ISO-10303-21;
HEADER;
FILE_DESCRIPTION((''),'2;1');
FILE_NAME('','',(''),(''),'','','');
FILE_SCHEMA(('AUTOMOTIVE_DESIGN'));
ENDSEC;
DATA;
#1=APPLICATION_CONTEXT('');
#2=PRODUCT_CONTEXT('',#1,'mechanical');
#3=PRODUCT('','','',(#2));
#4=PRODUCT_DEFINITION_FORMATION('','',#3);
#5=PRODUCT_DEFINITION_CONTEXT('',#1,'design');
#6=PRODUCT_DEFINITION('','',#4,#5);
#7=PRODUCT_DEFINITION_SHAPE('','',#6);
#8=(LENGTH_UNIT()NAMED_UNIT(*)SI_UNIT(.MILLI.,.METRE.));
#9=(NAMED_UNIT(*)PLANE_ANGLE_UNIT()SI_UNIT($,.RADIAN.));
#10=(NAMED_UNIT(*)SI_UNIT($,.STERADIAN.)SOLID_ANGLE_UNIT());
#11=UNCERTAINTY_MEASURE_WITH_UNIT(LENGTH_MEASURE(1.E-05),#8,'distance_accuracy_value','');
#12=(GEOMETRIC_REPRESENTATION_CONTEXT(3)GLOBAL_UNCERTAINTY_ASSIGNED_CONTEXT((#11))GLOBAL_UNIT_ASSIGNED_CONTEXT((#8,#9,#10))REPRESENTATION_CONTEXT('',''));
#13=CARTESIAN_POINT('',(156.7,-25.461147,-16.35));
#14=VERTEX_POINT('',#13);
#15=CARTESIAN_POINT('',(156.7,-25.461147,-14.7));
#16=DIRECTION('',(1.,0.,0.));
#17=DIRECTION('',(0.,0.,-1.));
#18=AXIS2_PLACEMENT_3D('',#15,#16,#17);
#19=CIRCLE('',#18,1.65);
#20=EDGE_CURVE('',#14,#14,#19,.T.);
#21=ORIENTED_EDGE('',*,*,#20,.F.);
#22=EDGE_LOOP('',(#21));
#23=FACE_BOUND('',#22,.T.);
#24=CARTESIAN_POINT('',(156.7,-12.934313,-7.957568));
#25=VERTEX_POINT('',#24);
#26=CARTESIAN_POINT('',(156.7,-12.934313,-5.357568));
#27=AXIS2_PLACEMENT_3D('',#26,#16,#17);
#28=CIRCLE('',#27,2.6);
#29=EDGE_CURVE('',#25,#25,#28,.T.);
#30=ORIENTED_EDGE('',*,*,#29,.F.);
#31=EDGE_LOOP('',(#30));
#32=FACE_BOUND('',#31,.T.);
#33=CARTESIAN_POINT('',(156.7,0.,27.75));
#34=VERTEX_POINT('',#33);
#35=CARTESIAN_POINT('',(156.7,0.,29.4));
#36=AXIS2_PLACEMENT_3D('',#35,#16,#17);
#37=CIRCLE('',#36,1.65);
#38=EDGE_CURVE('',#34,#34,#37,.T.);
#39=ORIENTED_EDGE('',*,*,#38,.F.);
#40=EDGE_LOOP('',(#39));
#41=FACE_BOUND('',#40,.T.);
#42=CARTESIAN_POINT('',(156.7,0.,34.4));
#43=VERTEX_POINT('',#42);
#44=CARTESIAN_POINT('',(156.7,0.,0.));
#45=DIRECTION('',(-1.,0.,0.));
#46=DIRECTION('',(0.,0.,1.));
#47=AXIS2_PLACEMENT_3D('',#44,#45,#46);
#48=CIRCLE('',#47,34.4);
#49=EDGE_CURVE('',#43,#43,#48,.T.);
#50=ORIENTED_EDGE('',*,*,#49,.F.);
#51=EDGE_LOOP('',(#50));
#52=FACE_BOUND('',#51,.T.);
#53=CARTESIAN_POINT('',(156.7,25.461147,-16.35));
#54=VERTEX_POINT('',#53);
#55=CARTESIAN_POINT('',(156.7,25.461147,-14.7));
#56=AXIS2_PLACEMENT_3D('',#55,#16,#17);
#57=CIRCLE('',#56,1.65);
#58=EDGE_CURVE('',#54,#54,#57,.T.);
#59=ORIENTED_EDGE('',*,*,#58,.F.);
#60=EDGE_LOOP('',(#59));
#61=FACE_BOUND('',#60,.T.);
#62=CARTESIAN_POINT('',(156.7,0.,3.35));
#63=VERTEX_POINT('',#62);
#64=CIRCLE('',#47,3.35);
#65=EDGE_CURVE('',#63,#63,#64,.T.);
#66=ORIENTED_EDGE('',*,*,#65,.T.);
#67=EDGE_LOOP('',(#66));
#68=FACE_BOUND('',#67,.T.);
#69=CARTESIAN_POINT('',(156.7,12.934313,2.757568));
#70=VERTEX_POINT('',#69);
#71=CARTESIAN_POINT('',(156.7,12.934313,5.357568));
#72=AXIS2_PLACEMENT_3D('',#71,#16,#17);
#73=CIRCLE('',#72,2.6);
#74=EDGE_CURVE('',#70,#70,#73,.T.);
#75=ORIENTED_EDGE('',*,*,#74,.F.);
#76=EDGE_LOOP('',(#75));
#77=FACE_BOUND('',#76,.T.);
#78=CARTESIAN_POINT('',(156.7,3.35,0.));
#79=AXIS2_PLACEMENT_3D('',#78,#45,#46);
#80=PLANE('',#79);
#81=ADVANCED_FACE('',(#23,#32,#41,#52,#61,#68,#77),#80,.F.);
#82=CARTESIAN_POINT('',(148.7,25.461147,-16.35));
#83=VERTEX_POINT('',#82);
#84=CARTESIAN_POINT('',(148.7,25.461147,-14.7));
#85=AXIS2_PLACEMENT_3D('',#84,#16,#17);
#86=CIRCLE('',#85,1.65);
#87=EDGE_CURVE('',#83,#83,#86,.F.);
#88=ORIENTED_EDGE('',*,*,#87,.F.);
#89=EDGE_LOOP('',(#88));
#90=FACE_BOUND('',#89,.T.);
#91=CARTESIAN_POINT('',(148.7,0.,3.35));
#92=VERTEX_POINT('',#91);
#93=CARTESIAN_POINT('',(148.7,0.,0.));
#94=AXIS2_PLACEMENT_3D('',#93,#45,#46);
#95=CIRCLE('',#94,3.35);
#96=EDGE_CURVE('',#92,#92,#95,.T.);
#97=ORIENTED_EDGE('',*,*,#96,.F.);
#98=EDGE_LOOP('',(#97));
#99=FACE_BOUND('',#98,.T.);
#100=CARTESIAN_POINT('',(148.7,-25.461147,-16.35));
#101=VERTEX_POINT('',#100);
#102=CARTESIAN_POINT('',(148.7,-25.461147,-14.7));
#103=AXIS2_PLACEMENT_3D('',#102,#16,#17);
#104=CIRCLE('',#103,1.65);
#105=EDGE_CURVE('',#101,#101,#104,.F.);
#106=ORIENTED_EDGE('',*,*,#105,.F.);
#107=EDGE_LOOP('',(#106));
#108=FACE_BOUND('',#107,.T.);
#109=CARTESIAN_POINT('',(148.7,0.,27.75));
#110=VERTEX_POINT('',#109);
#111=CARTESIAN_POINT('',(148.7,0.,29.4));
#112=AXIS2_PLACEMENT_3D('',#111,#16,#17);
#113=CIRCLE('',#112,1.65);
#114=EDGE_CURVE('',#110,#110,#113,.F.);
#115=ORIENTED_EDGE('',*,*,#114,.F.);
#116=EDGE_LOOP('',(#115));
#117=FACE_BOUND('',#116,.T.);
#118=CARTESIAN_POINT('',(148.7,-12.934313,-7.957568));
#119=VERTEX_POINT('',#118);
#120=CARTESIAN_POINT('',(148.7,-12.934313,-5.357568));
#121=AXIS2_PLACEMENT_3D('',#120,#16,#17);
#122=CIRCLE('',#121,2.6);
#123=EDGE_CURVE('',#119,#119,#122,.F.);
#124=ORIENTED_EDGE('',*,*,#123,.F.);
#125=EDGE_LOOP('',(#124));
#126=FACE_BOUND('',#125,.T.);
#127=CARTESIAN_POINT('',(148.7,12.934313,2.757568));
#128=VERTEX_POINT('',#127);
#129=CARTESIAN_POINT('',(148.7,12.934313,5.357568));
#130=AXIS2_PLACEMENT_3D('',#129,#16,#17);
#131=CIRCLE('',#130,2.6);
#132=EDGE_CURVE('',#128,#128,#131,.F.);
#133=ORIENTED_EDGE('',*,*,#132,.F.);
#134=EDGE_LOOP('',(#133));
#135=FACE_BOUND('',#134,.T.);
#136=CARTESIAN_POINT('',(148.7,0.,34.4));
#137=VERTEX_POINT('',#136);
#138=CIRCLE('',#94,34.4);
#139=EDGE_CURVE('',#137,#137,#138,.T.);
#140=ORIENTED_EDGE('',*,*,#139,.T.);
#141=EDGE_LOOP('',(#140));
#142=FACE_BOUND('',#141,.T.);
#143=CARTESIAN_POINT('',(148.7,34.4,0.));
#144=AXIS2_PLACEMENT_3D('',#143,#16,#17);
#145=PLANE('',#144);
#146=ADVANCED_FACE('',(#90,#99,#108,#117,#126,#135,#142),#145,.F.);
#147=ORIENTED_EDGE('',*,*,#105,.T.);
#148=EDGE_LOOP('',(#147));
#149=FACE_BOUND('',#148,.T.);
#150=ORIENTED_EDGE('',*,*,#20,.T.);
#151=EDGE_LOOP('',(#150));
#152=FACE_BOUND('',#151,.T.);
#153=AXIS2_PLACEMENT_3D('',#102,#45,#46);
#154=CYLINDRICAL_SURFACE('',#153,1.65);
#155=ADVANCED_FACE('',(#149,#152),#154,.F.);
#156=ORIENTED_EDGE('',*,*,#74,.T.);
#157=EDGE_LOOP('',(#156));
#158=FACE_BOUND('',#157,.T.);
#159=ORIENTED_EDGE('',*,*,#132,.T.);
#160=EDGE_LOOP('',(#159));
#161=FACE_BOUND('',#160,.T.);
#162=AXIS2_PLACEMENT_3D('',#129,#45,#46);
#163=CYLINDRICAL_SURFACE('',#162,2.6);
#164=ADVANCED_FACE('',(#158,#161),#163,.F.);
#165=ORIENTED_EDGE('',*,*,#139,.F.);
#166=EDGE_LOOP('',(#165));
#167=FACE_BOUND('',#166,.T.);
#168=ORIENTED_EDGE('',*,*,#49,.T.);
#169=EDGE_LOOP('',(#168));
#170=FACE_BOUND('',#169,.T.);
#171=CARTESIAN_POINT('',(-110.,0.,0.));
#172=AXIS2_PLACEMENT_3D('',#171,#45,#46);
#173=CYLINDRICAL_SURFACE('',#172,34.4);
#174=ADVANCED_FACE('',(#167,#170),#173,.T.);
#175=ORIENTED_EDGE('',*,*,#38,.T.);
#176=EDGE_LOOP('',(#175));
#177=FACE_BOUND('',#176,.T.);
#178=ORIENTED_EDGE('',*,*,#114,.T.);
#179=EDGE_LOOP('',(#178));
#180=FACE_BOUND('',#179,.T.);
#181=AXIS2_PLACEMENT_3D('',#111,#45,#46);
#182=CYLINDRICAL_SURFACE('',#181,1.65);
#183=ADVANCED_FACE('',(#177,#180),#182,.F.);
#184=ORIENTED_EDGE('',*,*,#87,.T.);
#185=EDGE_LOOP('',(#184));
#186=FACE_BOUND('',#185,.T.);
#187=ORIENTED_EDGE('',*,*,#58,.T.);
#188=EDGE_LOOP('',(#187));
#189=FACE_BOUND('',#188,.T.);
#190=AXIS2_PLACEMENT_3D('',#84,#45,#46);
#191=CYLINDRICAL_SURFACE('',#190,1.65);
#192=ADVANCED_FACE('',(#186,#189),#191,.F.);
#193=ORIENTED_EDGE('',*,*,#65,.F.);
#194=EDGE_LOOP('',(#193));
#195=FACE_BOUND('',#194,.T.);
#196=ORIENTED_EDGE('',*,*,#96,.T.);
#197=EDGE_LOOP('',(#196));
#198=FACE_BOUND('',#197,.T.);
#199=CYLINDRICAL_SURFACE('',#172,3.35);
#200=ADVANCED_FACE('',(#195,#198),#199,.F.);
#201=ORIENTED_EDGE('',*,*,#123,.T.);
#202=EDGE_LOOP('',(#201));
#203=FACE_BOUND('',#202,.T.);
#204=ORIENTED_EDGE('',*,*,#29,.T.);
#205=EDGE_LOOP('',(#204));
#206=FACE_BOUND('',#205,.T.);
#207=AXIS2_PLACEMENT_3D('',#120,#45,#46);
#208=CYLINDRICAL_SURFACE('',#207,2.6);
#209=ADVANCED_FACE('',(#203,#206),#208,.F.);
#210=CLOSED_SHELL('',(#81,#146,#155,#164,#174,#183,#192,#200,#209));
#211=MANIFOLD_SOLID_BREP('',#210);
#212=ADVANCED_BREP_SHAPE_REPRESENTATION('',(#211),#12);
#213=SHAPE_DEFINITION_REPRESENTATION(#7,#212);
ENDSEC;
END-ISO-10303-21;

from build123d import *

# Parameters (mm, degrees)
AXIAL_PROFILE_MM_W     = 8
AXIAL_PROFILE_MM_H     = 31.05
AXIAL_HOLES_DEPTH      = 165.078060691
AXIAL_HOLES_DEPTH_BACK = 165.078060691
SKETCH2_R              = 2.6
SKETCH2_R_2            = 1.65


with BuildPart() as part:
    # Axial profile (mm) → Full revolution (revolve)
    with BuildSketch(Plane.XY, mode=Mode.PRIVATE) as full_revolution_sk:
        with Locations((152.7, 18.875)):
            Rectangle(AXIAL_PROFILE_MM_W, AXIAL_PROFILE_MM_H)
    revolve(full_revolution_sk.sketch.rotate(Axis((-110, 0, 0), (1, 0, 0)), 90), axis=Axis((-110, 0, 0), (1, 0, 0)))

    # Sketch2 → Axial holes (cut, two sides: drawn at the far end of the back side and taken through both)
    with BuildSketch(Plane(origin=(0, 0, 0), x_dir=(0, 0, -1), z_dir=(1, 0, 0)).offset(-AXIAL_HOLES_DEPTH_BACK)):
        with Locations((-5.357568053, 12.934313455)):
            Circle(SKETCH2_R)
        with Locations((5.357568053, -12.934313455)):
            Circle(SKETCH2_R)
        with Locations((-29.4, 0)):
            Circle(SKETCH2_R_2)
        with Locations((14.7, -25.461146871)):
            Circle(SKETCH2_R_2)
        with Locations((14.7, 25.461146871)):
            Circle(SKETCH2_R_2)
    extrude(amount=AXIAL_HOLES_DEPTH + AXIAL_HOLES_DEPTH_BACK, mode=Mode.SUBTRACT)


solid = part.part
